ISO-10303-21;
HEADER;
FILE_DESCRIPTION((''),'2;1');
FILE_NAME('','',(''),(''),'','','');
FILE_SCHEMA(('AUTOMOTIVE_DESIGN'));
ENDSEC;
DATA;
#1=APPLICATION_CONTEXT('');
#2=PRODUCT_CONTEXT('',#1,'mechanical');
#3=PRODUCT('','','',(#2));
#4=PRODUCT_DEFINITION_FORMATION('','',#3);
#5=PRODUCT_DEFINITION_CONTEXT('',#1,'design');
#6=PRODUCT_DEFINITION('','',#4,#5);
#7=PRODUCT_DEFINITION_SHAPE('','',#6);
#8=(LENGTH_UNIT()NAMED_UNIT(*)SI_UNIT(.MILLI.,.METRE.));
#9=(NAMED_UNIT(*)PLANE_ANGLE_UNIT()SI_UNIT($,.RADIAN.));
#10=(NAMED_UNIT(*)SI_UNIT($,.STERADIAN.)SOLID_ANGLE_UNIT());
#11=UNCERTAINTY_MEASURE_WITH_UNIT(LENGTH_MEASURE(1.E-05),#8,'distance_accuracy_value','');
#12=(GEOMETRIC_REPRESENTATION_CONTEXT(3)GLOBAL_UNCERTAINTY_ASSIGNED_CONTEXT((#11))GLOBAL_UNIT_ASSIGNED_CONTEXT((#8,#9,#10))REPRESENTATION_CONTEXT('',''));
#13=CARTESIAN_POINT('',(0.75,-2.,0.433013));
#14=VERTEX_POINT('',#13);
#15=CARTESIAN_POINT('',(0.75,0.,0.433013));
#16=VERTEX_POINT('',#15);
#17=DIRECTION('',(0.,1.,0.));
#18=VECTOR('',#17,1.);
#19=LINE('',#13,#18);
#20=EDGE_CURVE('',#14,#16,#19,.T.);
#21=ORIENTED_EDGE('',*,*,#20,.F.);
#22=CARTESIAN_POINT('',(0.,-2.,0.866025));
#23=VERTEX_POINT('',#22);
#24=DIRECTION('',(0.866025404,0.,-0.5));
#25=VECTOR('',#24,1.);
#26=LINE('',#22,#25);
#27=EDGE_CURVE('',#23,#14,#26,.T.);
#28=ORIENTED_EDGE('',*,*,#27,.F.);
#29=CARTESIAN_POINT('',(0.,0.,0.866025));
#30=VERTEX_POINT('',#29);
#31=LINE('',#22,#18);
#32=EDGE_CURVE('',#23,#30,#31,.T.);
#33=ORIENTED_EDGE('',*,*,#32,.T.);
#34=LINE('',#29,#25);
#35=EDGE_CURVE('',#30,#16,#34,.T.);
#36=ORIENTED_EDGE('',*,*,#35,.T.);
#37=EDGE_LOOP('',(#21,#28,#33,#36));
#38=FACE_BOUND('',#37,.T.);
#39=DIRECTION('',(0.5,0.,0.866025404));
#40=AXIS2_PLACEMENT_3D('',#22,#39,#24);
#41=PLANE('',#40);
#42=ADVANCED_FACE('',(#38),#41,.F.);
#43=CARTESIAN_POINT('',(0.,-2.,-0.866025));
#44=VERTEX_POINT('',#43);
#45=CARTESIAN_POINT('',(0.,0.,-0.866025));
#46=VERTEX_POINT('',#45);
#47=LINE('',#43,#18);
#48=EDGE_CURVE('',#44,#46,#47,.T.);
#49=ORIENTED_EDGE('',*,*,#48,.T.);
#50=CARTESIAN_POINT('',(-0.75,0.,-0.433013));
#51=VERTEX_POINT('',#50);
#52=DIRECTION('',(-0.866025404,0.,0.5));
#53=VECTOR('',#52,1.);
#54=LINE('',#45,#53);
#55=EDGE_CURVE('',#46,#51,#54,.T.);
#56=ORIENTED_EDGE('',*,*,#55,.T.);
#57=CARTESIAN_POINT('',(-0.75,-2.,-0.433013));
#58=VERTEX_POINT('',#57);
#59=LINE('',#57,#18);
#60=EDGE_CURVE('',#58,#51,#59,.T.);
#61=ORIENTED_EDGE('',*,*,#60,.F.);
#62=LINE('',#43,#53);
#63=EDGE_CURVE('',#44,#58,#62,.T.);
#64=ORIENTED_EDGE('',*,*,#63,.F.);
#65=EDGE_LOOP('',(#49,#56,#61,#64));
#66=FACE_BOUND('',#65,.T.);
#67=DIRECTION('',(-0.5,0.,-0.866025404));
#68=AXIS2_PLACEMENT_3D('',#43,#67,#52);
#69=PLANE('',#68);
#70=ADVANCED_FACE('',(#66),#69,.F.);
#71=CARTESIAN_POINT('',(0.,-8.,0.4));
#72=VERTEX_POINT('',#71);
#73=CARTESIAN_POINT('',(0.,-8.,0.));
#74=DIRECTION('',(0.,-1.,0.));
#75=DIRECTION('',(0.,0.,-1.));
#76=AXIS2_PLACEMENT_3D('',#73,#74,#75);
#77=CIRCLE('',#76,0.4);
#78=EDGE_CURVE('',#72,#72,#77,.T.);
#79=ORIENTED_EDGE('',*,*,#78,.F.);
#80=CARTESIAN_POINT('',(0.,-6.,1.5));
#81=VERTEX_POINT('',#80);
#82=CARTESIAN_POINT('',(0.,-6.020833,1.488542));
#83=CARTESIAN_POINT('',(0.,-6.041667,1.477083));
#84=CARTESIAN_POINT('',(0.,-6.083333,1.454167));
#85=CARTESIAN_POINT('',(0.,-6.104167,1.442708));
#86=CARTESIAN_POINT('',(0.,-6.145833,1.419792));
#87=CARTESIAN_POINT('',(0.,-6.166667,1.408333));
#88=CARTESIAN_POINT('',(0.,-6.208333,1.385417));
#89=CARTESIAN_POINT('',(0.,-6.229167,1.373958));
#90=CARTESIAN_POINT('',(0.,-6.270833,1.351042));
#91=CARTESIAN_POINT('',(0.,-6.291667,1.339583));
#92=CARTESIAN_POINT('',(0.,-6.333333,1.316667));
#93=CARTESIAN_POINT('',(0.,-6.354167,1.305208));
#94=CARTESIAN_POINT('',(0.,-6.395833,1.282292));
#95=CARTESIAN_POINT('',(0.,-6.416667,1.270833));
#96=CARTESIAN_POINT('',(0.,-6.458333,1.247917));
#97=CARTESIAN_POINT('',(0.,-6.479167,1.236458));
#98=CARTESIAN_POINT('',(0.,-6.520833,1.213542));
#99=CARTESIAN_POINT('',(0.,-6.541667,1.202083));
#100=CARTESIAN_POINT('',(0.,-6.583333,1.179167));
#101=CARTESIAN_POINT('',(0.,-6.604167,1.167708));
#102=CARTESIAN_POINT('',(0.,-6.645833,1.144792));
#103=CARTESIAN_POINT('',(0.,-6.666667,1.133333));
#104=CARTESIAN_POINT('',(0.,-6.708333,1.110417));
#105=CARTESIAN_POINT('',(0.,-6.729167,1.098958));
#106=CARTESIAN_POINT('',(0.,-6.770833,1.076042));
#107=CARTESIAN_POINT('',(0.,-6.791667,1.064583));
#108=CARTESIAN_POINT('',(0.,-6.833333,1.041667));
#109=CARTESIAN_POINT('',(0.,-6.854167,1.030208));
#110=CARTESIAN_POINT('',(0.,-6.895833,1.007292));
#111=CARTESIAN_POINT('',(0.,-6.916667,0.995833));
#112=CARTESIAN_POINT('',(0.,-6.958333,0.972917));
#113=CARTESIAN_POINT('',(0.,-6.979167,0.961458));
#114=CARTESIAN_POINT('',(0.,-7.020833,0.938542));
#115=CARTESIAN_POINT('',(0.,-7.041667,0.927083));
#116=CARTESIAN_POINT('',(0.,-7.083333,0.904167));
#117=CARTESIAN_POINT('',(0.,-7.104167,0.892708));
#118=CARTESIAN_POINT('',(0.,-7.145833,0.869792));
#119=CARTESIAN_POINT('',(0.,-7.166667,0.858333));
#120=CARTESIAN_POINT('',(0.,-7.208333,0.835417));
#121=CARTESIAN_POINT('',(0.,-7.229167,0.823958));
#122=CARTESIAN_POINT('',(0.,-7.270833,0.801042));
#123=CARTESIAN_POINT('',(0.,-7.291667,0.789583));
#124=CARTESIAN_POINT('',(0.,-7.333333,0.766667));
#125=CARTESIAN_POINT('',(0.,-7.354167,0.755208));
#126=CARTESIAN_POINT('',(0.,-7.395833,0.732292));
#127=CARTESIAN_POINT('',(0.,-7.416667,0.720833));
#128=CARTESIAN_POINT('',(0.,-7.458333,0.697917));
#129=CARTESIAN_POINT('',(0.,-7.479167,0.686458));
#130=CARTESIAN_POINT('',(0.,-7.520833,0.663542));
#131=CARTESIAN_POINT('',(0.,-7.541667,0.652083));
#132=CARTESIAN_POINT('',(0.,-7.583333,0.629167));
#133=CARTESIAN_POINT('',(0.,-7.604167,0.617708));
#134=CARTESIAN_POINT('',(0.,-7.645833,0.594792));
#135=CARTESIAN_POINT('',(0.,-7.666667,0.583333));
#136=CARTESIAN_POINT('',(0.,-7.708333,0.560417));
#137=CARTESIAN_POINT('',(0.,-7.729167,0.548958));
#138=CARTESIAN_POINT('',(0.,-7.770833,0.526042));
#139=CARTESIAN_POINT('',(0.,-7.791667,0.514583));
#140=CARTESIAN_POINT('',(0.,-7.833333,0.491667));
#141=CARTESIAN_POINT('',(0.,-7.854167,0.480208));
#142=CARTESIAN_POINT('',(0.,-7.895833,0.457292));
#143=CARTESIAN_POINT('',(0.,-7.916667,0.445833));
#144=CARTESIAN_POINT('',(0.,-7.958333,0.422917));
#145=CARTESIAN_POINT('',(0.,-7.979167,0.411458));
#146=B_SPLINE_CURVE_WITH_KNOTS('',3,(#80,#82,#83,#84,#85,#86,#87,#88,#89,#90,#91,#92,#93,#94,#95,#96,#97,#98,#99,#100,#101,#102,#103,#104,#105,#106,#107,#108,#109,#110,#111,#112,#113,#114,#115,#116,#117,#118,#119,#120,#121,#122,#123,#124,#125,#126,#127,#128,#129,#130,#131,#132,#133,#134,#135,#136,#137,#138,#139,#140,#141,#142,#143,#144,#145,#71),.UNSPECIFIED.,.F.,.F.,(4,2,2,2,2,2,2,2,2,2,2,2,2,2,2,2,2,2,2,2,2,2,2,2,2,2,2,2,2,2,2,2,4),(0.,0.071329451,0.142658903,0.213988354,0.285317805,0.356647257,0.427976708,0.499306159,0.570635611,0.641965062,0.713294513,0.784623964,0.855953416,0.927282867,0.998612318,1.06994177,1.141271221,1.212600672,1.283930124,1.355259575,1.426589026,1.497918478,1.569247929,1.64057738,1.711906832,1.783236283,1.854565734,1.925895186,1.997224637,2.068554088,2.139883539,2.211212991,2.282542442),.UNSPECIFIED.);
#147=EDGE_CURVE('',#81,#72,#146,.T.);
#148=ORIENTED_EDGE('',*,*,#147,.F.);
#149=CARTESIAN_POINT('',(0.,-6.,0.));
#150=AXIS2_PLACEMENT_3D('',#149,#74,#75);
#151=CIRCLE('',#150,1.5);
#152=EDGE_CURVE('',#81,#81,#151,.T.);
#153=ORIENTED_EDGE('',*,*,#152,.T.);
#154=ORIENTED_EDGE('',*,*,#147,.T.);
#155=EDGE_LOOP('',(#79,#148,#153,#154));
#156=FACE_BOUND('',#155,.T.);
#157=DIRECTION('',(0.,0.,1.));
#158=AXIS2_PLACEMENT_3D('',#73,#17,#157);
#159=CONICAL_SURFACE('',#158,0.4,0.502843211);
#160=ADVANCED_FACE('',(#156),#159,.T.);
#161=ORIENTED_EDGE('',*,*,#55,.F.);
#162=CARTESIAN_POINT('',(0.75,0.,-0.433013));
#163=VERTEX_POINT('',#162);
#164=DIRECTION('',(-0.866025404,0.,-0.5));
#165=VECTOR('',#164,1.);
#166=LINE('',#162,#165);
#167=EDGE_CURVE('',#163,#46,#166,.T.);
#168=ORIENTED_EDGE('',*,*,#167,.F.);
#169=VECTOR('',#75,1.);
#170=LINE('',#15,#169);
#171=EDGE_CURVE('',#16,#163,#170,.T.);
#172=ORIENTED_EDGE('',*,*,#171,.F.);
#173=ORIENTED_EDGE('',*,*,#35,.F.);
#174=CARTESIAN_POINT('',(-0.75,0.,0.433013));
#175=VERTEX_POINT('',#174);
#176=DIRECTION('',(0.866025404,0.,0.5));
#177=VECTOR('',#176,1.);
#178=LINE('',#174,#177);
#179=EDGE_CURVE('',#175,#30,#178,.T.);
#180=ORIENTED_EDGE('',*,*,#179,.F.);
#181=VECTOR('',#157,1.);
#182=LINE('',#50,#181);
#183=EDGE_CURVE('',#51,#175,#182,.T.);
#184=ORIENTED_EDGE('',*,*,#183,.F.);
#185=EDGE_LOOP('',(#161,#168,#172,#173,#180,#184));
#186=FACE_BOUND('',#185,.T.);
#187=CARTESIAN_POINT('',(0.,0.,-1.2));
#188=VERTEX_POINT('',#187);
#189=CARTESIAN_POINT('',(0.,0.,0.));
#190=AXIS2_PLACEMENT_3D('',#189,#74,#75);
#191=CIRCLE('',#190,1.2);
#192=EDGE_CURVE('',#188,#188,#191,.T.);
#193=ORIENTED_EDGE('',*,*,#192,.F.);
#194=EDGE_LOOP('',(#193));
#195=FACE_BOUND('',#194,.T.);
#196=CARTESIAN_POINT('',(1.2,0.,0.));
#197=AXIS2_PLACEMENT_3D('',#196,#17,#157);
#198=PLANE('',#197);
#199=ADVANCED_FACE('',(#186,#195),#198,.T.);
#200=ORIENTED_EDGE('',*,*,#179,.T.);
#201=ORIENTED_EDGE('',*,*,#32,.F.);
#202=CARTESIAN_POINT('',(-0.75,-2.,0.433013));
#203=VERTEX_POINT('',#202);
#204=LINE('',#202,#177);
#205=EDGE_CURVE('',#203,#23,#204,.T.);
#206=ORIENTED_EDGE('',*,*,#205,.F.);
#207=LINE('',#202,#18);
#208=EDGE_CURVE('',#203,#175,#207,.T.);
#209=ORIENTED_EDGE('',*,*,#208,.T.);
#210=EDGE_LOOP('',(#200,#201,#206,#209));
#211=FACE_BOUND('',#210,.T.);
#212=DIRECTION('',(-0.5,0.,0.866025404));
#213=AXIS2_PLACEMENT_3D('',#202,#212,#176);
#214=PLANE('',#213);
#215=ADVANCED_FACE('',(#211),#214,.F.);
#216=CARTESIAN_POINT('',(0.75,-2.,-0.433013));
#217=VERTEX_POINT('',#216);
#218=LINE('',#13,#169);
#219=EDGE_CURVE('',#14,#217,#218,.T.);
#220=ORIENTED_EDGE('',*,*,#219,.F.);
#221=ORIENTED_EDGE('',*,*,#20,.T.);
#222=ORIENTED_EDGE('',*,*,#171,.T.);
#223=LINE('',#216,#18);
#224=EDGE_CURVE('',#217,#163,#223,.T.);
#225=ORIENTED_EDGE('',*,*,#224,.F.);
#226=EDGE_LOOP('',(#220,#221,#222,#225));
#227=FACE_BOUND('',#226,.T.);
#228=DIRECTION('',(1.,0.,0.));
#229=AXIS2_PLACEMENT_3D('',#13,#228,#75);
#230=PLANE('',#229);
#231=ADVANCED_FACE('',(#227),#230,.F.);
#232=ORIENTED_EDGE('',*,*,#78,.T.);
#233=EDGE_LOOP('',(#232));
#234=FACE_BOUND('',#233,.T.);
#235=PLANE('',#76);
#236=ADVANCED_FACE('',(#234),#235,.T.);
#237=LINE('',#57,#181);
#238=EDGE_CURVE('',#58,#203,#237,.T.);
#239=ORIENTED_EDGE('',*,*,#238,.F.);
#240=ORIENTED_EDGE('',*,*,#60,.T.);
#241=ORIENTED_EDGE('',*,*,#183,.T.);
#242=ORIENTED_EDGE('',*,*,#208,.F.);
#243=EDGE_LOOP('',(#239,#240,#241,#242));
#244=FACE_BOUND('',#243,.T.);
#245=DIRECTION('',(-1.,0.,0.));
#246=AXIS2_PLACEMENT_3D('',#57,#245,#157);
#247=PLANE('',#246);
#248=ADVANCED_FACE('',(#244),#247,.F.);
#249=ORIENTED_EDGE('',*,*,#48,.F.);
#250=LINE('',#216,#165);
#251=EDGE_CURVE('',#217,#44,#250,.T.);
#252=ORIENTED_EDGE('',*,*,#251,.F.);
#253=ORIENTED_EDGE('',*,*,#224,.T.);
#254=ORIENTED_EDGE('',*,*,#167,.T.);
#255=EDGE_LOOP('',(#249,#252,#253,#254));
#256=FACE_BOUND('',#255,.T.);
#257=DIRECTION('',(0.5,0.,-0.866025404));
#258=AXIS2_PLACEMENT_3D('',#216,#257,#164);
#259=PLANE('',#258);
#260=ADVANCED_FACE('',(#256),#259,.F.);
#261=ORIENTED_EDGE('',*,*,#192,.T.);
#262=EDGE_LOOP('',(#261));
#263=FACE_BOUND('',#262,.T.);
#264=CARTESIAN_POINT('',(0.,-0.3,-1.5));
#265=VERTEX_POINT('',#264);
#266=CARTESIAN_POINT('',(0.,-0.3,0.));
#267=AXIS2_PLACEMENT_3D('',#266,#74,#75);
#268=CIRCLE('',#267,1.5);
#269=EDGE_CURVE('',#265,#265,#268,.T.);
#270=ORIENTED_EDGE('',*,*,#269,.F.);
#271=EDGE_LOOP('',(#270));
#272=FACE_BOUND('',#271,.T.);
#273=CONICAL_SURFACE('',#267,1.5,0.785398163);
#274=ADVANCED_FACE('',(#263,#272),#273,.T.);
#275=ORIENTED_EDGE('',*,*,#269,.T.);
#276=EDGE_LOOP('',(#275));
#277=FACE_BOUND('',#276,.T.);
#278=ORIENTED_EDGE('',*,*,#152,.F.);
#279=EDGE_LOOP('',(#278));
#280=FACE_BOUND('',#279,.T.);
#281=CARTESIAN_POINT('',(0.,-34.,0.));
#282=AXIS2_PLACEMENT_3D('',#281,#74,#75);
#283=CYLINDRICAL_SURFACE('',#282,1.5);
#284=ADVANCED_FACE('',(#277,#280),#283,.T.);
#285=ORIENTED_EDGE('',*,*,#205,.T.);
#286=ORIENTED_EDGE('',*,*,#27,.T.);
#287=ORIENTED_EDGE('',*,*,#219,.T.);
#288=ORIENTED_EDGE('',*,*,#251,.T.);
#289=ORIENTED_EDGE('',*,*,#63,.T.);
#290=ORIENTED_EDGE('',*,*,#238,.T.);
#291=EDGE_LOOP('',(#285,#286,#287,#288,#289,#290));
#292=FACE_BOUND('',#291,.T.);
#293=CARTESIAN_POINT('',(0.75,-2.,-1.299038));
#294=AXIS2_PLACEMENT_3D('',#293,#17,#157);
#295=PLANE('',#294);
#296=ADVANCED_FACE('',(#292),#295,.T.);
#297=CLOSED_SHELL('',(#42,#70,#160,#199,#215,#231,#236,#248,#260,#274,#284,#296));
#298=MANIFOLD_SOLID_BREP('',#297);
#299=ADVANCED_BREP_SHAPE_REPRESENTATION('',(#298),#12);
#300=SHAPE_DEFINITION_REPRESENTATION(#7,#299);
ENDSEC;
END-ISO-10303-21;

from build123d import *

# Parameters (mm, degrees)
CUT_EXTRUDE1_DEPTH = 2


with BuildPart() as part:
    # Sketch1 → Base-Revolve (revolve)
    with BuildSketch(Plane.XY, mode=Mode.PRIVATE) as base_revolve_sk:
        Polygon((0, -8), (0.4, -8), (1.5, -6), (1.5, -0.3), (1.2, 0), (0, 0), align=None)
    revolve(base_revolve_sk.sketch.rotate(Axis((0, -34, 0), (0, 1, 0)), 90), axis=Axis((0, -34, 0), (0, 1, 0)))

    # Sketch2 → Cut-Extrude1 (cut)
    with BuildSketch(Plane(origin=(0, 0, 0), x_dir=(1, 0, 0), z_dir=(0, 1, 0))):
        Polygon((0.75, 0.433012702), (0, 0.866025404), (-0.75, 0.433012702), (-0.75, -0.433012702), (0, -0.866025404), (0.75, -0.433012702), align=None)
    extrude(amount=-CUT_EXTRUDE1_DEPTH, mode=Mode.SUBTRACT)


solid = part.part
